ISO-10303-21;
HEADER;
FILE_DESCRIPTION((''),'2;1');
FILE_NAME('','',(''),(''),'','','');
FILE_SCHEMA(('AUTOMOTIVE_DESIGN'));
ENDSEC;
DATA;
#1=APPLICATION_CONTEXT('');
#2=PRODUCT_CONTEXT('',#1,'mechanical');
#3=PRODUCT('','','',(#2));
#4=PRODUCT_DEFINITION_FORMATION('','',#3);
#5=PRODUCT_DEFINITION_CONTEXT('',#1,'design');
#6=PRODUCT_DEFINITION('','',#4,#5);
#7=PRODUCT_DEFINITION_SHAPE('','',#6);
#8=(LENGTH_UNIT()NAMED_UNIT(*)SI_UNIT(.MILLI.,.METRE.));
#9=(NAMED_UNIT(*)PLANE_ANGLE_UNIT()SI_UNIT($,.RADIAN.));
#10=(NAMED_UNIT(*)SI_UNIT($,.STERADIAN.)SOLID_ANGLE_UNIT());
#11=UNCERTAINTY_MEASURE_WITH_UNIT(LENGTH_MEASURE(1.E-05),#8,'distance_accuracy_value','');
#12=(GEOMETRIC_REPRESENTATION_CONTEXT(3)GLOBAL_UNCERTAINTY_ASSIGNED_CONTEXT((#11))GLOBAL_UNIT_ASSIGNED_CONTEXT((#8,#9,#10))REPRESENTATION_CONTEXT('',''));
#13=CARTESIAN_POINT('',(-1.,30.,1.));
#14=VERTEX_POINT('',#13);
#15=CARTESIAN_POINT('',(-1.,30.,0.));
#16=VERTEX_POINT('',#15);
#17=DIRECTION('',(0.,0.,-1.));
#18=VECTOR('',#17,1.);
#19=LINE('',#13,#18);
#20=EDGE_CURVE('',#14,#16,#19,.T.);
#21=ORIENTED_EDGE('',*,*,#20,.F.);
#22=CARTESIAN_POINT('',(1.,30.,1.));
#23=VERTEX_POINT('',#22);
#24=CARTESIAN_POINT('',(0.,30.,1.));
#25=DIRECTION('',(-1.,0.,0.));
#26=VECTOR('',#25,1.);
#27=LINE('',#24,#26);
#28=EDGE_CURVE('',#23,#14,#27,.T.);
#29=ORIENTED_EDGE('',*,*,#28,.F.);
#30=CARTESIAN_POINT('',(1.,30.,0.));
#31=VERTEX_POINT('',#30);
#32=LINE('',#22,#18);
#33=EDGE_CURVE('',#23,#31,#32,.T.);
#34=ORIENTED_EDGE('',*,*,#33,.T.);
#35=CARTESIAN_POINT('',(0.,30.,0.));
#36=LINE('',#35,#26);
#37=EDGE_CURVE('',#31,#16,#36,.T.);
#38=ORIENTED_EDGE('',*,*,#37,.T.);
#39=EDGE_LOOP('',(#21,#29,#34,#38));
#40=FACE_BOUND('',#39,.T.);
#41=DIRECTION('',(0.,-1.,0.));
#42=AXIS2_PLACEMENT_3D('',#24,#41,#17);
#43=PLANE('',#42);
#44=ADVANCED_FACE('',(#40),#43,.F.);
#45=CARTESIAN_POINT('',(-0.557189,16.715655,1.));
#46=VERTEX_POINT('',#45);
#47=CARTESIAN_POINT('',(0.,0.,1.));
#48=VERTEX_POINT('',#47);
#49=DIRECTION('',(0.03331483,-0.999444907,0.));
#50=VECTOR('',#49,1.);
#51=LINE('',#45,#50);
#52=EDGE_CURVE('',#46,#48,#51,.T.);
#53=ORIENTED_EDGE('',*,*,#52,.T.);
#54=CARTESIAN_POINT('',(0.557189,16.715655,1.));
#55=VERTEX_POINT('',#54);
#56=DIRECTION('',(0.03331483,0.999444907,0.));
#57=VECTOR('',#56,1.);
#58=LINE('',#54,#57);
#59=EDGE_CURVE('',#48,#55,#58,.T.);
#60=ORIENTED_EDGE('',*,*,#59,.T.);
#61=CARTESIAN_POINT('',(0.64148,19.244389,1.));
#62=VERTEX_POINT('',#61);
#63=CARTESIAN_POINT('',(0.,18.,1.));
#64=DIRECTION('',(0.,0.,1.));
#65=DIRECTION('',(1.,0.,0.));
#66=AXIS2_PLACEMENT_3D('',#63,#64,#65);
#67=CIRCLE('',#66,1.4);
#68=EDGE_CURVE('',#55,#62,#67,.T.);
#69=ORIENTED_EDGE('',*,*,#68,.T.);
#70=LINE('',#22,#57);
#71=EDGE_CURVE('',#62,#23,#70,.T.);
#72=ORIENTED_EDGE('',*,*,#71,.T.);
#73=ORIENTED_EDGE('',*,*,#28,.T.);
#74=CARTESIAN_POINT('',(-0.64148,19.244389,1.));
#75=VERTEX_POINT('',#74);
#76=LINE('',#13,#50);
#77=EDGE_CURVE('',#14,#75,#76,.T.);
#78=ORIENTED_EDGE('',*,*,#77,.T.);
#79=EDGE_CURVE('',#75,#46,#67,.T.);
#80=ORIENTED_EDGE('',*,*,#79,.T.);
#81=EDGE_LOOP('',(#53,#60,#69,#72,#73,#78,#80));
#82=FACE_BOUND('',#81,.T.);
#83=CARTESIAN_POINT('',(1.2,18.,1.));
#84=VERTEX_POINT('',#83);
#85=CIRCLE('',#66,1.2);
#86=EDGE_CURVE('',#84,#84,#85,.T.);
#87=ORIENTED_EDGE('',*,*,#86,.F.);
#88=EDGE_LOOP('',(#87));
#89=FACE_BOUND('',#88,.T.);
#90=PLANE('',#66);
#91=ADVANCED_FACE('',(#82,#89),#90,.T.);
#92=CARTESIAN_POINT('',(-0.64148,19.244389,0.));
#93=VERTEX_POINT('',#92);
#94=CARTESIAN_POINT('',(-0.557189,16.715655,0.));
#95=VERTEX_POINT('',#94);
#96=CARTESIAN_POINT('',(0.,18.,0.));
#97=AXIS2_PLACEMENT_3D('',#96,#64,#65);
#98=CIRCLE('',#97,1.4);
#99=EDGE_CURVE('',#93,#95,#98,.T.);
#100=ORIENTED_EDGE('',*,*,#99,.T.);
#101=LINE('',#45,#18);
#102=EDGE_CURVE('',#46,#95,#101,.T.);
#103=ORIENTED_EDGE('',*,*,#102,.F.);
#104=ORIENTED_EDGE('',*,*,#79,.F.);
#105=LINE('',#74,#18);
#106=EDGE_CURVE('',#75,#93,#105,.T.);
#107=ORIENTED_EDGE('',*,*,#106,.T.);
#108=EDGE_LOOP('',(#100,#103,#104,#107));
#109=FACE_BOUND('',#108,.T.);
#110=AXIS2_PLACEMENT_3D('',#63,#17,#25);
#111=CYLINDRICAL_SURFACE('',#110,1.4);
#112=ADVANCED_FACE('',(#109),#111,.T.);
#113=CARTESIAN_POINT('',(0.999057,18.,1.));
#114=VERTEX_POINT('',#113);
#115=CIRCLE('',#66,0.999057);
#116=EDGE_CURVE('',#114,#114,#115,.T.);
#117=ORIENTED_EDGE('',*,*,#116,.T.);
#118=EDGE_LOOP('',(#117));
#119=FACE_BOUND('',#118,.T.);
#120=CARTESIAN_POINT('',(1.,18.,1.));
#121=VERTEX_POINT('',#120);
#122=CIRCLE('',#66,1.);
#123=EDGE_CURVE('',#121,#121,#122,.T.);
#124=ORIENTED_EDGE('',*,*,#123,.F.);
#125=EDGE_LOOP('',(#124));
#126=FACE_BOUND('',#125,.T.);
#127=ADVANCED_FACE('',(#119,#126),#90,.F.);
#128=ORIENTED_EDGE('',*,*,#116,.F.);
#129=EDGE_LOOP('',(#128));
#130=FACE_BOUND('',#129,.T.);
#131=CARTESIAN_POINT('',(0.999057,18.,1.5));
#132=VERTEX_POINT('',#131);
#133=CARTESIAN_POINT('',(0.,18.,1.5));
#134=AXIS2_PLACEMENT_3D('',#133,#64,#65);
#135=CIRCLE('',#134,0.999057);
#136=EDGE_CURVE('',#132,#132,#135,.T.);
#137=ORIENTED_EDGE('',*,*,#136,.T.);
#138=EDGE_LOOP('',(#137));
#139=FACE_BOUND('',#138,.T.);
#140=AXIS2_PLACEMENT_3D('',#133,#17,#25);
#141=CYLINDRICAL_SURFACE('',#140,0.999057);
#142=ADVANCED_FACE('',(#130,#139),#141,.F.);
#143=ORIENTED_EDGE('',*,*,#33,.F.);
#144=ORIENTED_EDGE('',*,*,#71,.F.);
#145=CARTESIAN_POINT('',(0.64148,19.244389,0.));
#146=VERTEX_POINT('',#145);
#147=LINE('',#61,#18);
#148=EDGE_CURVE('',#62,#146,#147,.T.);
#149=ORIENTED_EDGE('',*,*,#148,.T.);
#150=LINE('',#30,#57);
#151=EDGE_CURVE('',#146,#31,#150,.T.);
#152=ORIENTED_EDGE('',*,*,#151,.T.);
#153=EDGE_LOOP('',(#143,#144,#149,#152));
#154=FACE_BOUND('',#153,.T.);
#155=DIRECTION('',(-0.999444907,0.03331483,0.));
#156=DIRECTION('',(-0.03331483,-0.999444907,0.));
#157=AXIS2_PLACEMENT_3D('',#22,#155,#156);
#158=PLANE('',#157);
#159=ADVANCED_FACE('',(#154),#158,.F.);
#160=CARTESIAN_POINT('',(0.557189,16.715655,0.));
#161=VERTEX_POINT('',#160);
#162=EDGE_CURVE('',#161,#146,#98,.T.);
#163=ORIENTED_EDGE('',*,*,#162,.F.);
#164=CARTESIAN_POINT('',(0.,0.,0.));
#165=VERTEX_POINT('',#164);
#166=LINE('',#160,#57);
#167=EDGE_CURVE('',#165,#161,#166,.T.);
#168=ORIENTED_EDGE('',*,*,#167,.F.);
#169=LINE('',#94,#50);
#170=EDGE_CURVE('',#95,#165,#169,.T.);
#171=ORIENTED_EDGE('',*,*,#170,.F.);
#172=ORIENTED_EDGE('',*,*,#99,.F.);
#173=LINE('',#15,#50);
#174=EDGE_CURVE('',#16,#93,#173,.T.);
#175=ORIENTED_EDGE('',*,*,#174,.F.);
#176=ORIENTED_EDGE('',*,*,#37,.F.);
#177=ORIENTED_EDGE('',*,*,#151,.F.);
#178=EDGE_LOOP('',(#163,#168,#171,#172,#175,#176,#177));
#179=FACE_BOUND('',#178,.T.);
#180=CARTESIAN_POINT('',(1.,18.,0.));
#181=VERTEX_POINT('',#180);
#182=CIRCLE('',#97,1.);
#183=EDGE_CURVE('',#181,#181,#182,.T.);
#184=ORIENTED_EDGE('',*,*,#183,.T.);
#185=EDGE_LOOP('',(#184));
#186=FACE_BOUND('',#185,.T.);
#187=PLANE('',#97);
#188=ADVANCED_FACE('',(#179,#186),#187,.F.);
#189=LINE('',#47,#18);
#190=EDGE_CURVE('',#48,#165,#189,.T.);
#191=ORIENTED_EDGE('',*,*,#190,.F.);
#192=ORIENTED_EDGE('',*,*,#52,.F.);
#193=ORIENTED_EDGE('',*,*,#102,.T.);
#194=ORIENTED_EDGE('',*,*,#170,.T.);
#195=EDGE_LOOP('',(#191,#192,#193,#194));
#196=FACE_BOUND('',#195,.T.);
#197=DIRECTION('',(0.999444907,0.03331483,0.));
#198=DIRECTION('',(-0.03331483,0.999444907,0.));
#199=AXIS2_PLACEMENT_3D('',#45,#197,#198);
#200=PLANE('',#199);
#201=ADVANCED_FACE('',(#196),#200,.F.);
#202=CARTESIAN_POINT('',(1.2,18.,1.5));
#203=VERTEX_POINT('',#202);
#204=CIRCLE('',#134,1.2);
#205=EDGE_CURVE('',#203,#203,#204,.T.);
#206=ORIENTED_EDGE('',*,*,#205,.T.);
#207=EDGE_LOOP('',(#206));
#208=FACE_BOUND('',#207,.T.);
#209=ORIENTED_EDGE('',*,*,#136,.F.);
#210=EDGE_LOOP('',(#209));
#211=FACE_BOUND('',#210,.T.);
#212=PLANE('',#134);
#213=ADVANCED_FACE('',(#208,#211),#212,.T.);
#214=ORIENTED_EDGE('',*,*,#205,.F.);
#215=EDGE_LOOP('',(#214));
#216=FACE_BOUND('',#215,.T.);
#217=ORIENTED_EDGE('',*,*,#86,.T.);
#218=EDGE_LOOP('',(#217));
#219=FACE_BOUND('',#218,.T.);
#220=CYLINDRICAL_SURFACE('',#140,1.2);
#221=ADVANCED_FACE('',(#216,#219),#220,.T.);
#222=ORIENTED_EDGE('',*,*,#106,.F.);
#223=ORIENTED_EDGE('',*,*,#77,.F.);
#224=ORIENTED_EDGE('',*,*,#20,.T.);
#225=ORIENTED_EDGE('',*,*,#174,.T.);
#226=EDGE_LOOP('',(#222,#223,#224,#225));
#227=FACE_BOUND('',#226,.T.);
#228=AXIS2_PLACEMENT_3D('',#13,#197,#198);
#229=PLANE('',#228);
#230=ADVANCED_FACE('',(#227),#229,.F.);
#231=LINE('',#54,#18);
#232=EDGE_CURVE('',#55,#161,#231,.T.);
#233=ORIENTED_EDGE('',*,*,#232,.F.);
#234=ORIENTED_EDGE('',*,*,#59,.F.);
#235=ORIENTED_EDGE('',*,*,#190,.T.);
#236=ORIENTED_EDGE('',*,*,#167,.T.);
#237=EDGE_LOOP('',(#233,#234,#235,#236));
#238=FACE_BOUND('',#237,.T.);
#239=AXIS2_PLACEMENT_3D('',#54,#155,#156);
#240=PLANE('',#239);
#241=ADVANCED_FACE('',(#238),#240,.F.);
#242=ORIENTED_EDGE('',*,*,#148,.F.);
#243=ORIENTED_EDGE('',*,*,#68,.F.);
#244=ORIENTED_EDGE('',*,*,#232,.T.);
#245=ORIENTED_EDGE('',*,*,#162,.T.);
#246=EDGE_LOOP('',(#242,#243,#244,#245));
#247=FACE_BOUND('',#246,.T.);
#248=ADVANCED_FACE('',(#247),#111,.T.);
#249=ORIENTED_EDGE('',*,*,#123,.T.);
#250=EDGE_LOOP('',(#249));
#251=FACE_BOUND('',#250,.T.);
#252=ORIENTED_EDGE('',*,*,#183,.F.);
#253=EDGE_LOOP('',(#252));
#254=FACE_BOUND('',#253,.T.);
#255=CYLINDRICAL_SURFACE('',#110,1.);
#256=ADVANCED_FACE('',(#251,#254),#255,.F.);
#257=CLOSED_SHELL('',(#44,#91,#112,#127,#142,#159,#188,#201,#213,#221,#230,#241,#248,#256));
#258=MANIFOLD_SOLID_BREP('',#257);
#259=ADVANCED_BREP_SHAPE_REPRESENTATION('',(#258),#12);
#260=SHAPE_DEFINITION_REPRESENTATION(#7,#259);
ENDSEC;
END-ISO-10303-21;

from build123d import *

# Parameters (mm, degrees)
ESBO_O1_R                = 1
RESSALTO_EXTRUS_O1_DEPTH = 1
ESBO_O3_R                = 1.2
ESBO_O3_R_2              = 0.999056936
RESSALTO_EXTRUS_O2_DEPTH = 0.5


with BuildPart() as part:
    # Esboço1 → Ressalto-extrusão1 (new body)
    with BuildSketch(Plane.XY):
        with BuildLine():
            Line((0, 30), (1, 30))
            Line((1, 30), (0.641479632, 19.244388959))
            ThreePointArc((0.641479632, 19.244388959), (1.39922287, 17.953359238), (0.557188515, 16.715655436))
            Line((0.557188515, 16.715655436), (0, 0))
            Line((0, 0), (-0.557188515, 16.715655436))
            ThreePointArc((-0.557188515, 16.715655436), (-1.39922287, 17.953359238), (-0.641479632, 19.244388959))
            Line((-0.641479632, 19.244388959), (-1, 30))
            Line((-1, 30), (0, 30))
        make_face()
        with Locations((0, 18)):
            Circle(ESBO_O1_R, mode=Mode.SUBTRACT)
    extrude(amount=RESSALTO_EXTRUS_O1_DEPTH)

    # Esboço3 → Ressalto-extrusão2 (add)
    with BuildSketch(Plane.XY.offset(1)):
        with Locations((0, 18)):
            Circle(ESBO_O3_R)
        with Locations((0, 18)):
            Circle(ESBO_O3_R_2, mode=Mode.SUBTRACT)
    extrude(amount=RESSALTO_EXTRUS_O2_DEPTH)


solid = part.part
